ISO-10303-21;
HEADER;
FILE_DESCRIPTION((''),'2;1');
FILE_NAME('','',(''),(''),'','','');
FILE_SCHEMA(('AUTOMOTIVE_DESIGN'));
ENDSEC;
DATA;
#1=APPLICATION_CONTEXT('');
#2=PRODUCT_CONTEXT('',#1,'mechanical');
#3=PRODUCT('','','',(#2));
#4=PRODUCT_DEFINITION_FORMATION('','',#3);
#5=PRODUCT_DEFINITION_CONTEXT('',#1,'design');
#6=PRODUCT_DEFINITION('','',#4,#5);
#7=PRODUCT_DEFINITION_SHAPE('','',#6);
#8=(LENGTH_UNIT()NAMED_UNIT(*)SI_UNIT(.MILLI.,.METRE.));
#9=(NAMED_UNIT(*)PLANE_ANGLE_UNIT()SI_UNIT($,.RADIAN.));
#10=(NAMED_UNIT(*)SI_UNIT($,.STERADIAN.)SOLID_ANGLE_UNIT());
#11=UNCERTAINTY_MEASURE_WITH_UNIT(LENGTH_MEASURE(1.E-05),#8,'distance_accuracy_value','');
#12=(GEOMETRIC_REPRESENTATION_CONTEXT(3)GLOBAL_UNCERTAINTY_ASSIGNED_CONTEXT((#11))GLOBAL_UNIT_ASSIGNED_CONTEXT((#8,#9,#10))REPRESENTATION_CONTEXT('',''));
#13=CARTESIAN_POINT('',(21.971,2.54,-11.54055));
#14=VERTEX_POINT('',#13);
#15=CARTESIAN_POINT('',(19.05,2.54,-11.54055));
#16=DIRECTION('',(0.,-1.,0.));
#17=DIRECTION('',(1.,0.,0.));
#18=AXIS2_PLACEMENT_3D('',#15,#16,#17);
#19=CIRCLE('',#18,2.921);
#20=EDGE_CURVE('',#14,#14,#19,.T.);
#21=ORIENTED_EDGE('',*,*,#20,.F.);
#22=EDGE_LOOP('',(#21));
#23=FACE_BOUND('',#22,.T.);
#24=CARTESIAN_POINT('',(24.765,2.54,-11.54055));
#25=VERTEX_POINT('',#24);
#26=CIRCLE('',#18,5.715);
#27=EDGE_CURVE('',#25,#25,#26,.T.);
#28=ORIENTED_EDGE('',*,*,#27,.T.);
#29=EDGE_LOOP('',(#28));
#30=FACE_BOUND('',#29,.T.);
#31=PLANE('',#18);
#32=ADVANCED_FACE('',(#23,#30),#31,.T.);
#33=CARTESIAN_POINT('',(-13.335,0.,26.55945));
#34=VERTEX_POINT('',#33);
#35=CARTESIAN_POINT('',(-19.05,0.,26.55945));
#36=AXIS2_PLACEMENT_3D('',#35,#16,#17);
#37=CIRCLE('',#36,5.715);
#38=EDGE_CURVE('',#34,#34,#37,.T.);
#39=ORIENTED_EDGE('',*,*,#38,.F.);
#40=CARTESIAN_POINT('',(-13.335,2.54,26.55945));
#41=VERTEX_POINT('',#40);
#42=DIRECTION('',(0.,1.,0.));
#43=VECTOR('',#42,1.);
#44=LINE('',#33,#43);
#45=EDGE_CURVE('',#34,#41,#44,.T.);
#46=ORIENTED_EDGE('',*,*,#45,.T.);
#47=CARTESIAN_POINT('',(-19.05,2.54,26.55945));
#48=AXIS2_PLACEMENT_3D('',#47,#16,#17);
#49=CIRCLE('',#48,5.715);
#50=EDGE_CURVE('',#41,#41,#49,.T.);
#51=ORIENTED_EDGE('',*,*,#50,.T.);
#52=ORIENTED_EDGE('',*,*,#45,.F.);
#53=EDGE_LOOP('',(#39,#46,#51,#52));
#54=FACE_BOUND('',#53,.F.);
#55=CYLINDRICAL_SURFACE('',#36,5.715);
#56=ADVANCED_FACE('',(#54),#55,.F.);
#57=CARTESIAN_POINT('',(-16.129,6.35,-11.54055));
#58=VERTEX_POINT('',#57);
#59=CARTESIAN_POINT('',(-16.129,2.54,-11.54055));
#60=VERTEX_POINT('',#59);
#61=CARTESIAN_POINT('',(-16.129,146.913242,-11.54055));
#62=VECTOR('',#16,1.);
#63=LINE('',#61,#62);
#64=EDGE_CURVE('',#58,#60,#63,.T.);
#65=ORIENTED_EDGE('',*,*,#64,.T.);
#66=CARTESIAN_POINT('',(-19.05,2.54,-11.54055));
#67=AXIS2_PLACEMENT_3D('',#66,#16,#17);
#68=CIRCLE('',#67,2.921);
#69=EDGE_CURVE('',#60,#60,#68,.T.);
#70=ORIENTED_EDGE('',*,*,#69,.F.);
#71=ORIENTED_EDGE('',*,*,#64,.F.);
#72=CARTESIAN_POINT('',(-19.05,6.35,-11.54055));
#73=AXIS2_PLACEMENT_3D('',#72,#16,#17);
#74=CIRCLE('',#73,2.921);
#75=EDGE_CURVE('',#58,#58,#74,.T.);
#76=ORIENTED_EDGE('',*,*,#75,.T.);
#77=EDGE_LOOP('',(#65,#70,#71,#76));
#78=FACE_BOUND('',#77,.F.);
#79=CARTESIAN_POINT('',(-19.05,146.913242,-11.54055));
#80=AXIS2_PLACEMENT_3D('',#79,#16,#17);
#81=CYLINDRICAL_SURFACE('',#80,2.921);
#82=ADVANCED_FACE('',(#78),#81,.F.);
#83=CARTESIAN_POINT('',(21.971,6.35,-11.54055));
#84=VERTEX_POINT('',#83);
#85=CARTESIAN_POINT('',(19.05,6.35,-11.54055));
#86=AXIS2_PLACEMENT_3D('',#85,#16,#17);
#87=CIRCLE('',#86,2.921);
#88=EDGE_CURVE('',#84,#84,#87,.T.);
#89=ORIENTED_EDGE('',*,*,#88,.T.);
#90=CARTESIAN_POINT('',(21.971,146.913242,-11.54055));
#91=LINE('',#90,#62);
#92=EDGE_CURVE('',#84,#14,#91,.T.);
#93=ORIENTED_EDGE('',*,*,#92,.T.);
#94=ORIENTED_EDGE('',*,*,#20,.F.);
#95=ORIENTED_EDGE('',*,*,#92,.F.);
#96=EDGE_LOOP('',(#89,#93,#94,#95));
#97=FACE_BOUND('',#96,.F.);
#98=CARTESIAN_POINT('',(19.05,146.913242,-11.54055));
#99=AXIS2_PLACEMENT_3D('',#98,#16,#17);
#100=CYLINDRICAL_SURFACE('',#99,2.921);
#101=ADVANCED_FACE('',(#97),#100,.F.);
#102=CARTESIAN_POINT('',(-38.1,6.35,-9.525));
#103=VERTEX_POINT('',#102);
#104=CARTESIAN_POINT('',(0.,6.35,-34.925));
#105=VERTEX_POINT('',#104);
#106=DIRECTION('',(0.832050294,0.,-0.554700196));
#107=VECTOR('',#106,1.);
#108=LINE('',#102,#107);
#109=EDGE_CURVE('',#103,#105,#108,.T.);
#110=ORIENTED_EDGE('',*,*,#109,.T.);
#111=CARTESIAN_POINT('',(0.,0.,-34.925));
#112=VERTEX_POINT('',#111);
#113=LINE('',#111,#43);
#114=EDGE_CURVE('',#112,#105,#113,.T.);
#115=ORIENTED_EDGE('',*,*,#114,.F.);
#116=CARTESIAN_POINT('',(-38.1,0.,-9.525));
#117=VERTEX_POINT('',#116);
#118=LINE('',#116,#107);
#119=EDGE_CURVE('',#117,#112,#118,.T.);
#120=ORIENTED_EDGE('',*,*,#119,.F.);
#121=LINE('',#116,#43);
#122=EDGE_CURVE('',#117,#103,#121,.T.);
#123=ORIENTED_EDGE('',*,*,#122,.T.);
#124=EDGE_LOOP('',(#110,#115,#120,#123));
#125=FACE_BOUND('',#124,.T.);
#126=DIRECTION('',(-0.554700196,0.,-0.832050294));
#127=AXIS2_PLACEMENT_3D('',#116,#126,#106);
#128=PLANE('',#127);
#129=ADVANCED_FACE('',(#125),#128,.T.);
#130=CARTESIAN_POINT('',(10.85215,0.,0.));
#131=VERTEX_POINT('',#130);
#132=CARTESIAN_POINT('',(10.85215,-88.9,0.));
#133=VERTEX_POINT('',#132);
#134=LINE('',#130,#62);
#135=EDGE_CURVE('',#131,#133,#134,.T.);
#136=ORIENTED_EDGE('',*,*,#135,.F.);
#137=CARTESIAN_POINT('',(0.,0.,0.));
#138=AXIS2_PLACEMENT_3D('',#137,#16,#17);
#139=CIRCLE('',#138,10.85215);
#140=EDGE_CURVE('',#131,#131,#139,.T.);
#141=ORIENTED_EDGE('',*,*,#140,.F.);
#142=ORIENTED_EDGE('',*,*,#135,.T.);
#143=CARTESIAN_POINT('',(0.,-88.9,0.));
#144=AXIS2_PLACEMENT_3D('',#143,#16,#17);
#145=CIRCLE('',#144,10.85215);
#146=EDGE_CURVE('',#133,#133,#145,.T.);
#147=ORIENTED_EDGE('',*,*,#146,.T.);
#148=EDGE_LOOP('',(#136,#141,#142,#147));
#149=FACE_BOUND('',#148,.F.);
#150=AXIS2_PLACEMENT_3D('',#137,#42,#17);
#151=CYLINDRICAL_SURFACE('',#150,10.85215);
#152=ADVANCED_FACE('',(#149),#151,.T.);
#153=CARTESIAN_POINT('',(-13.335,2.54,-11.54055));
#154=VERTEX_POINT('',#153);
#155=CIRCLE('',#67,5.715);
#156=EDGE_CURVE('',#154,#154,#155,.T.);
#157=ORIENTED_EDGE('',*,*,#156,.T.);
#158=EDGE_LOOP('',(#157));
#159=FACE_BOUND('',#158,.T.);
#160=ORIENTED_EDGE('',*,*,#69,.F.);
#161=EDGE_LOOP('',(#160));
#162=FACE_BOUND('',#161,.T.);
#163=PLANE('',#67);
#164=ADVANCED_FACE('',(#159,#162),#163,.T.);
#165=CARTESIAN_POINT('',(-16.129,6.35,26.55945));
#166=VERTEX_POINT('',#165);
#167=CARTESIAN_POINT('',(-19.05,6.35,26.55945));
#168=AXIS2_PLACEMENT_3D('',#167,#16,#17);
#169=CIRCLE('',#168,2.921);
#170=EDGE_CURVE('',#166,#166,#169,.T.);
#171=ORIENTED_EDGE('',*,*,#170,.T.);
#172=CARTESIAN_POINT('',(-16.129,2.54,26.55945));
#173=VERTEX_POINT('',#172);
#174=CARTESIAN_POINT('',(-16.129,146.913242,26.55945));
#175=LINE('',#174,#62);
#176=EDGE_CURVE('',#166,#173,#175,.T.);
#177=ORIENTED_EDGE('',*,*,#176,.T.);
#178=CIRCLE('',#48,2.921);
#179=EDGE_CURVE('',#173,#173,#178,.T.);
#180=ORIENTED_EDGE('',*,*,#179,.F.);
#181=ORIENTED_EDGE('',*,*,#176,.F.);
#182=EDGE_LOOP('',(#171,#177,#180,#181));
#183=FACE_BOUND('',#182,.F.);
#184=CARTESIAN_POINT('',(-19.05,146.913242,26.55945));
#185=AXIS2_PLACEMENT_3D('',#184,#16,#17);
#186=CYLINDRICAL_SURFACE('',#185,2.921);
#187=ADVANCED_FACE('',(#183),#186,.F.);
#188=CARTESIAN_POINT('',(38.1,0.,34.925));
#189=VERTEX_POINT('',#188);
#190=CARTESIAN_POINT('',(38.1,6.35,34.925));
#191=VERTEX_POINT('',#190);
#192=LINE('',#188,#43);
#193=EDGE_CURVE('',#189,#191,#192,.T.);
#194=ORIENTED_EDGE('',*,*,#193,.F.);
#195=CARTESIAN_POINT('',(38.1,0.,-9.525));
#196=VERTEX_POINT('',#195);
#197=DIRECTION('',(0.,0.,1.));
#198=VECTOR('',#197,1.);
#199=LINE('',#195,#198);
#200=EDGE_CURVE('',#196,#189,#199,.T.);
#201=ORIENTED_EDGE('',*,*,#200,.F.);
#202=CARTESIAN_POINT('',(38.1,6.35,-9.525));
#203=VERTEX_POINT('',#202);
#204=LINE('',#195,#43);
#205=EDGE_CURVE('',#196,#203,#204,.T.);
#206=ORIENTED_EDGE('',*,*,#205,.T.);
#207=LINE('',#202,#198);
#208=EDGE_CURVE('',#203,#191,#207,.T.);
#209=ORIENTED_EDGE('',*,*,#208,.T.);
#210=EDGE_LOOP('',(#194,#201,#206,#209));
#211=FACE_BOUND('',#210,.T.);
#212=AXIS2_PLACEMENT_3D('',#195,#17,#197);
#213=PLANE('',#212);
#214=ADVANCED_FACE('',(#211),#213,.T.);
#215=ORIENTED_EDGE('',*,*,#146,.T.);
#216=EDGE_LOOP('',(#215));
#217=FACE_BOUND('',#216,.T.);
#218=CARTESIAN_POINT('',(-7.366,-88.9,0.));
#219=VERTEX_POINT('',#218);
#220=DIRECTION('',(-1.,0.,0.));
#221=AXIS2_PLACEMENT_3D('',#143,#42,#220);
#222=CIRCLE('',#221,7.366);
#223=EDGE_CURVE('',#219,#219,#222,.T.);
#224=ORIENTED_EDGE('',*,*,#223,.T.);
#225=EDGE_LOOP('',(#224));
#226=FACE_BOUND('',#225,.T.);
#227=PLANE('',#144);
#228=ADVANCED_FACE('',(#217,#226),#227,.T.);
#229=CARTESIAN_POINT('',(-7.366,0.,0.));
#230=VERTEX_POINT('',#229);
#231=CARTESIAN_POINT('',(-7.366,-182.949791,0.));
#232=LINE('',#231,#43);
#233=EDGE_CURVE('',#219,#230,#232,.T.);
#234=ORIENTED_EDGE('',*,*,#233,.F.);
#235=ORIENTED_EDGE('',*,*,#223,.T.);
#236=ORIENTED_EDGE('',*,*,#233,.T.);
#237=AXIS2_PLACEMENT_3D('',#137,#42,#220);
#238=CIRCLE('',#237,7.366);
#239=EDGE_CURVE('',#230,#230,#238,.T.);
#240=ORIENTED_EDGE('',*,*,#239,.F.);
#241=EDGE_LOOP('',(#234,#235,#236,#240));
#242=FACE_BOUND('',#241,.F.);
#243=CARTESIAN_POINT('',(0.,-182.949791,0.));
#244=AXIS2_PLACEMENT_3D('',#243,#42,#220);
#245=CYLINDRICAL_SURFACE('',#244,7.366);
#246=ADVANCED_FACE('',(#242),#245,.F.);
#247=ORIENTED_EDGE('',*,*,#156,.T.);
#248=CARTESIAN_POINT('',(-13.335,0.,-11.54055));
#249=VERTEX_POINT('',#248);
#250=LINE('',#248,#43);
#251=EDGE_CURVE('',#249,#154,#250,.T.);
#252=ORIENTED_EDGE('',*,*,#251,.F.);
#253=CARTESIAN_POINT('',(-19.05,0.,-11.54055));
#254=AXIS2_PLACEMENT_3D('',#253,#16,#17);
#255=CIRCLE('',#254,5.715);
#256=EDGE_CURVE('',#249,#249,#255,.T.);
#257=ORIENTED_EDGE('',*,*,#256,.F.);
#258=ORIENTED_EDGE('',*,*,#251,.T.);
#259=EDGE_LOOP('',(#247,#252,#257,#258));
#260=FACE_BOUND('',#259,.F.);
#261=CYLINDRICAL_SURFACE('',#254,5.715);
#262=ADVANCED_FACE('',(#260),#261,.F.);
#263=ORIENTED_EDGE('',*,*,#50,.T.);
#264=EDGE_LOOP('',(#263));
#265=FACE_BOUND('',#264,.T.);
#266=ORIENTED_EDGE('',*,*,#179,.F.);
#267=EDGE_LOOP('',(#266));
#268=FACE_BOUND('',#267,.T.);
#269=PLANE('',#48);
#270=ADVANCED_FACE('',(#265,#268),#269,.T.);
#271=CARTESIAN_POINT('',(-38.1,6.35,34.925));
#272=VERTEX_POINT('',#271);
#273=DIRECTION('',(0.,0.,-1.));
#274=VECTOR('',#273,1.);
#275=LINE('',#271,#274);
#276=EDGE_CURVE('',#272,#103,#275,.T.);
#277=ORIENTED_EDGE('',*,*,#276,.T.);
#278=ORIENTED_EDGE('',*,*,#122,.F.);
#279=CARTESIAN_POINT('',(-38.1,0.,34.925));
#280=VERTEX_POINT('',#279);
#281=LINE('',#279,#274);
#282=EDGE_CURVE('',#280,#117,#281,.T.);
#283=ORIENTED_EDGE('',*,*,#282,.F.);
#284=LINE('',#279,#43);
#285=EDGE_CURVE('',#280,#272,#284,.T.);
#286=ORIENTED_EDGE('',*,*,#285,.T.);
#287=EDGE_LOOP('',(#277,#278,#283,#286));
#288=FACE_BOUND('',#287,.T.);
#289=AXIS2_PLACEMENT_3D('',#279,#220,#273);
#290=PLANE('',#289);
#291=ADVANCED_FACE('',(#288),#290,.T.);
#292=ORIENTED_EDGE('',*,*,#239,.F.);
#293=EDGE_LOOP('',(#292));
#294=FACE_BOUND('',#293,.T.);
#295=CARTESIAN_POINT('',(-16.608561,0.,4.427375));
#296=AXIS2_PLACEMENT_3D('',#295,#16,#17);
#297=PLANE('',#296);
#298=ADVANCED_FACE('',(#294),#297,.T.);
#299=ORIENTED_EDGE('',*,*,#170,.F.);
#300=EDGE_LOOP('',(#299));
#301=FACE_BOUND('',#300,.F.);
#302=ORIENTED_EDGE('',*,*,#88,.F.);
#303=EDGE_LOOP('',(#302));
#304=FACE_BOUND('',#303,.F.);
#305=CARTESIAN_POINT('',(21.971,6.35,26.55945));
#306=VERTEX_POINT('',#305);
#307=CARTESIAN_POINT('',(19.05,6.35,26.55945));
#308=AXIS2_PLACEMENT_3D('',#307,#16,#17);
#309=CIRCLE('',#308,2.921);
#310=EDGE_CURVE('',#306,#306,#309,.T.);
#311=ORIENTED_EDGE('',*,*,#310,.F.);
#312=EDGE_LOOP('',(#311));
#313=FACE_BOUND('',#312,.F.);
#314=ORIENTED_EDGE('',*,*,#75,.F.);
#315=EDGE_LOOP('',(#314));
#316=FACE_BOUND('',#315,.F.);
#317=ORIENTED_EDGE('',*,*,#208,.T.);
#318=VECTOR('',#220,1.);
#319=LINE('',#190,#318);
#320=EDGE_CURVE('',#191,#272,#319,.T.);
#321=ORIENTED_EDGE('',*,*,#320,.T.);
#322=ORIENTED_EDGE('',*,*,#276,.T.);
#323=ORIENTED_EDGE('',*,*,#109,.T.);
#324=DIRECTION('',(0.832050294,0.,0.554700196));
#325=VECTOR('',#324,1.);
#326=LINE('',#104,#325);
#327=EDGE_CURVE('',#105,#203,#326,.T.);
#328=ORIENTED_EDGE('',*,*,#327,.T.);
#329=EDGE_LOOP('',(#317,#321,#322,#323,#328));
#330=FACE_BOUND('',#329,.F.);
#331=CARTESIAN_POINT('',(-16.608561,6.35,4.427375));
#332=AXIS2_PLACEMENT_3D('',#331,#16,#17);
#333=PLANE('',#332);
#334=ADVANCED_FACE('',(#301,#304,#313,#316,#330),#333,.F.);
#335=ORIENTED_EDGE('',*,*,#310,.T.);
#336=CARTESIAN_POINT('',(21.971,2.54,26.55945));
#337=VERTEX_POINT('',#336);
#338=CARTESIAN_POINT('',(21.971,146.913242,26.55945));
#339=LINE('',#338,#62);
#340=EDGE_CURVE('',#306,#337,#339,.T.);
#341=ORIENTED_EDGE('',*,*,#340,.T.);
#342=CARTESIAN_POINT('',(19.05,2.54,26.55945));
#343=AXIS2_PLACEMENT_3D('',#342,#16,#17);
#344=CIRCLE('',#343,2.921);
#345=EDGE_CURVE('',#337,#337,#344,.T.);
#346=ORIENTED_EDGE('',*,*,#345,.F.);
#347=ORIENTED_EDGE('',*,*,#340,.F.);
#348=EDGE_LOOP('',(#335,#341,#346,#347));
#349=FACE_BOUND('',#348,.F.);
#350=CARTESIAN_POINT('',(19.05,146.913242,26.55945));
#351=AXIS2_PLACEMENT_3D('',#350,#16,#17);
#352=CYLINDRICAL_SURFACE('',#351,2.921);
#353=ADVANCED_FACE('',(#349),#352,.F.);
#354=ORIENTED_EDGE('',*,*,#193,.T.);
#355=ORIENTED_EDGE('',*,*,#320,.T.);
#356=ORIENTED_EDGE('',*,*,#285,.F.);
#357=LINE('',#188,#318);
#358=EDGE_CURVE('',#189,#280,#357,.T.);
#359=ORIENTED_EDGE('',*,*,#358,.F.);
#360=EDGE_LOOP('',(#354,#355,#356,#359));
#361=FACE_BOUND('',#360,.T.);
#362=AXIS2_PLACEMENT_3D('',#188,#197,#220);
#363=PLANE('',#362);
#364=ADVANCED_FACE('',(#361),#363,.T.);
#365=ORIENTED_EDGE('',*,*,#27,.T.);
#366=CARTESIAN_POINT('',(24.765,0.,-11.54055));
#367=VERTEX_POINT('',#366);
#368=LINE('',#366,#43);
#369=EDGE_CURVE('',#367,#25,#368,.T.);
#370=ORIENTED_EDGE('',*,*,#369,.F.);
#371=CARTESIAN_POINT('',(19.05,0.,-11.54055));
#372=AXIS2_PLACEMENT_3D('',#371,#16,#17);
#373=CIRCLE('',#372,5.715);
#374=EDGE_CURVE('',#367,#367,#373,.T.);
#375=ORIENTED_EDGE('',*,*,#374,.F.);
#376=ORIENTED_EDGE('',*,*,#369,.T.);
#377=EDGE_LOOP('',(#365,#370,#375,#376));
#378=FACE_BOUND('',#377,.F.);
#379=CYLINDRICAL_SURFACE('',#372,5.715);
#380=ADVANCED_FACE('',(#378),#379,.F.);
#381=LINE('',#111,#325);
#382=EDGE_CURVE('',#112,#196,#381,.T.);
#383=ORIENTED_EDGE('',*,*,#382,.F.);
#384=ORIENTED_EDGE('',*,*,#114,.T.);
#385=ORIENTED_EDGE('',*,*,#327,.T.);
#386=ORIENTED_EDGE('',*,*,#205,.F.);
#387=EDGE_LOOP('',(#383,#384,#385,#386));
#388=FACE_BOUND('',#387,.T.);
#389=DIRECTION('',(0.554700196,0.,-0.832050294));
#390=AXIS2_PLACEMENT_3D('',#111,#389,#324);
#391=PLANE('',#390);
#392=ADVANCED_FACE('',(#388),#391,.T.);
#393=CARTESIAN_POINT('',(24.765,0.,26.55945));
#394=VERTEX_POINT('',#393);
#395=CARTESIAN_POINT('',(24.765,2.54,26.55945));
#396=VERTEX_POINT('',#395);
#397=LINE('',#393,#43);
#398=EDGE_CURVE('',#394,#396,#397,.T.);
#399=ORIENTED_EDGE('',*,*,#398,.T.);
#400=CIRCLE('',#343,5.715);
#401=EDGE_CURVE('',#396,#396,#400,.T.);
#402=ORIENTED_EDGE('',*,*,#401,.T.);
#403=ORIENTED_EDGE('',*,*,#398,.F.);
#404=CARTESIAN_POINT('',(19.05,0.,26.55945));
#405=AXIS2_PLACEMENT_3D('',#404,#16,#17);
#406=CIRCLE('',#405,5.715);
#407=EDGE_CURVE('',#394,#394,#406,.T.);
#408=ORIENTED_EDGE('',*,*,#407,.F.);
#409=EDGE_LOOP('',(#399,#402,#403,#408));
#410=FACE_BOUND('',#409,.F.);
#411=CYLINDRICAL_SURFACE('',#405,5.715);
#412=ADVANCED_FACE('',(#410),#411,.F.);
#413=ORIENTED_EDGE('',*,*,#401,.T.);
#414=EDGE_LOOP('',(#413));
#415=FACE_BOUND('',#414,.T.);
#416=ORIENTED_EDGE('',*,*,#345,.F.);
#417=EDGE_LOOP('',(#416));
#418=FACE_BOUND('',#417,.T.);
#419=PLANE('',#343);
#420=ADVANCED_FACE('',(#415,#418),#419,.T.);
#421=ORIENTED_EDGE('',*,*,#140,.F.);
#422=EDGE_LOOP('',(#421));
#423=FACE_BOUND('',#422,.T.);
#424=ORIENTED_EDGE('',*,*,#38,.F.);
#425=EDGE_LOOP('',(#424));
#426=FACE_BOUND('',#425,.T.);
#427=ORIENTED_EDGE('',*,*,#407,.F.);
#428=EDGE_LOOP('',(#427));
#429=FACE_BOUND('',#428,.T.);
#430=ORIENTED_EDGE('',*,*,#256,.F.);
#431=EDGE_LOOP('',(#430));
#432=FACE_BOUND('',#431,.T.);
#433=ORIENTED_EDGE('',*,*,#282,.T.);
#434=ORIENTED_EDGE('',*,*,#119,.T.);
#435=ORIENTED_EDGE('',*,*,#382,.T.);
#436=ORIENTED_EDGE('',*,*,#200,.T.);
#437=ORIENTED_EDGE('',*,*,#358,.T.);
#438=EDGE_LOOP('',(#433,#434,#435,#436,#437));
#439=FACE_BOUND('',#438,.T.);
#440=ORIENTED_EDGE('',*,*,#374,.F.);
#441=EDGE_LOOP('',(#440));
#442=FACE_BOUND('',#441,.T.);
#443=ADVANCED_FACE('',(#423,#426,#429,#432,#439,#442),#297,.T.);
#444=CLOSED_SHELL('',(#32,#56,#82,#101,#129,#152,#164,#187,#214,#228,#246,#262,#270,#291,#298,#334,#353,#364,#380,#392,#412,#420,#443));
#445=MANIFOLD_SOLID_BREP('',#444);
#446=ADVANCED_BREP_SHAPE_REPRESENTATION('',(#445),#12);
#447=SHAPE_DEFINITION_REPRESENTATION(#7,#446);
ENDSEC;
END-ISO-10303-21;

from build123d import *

# Parameters (mm, degrees)
F0_R     = 10.85215
F1_DEPTH = 88.9
F3_D     = 14.732
F5_DEPTH = 6.35
F7_D     = 5.842
F8_R     = 5.715
F9_DEPTH = 2.54


with BuildPart() as f1:
    # F0 (on Front) → F1 (new body)
    with BuildSketch(Plane.XZ):
        Circle(F0_R)
    extrude(amount=F1_DEPTH)

    # F3 (through all)
    with Locations(Plane.XZ.offset(88.9)):
        with Locations((0, 0)):
            Hole(F3_D / 2)

    # F4 (on Front) → F5 (join)
    with BuildSketch(Plane.XZ):
        Polygon((0, 0), (0, 34.925), (-38.1, 34.925), (-38.1, -9.525), (0, -34.925), align=None)
        Polygon((38.1, 34.925), (0, 34.925), (0, 0), (0, -34.925), (38.1, -9.525), align=None)
    extrude(amount=-F5_DEPTH)

    # F7 (through all)
    with Locations(Plane(origin=(0, 6.35, 0), x_dir=(-1, 0, 0), z_dir=(0, 1, 0))):
        with Locations((-19.05, 26.55945), (19.05, 26.55945), (19.05, -11.54055), (-19.05, -11.54055)):
            Hole(F7_D / 2)

    # F8 (on face) → F9 (cut)
    with BuildSketch(Plane.XZ):
        with Locations((-19.05, 26.55945)):
            Circle(F8_R)
        with Locations((19.05, 26.55945)):
            Circle(F8_R)
        with Locations((-19.05, -11.54055)):
            Circle(F8_R)
        with Locations((19.05, -11.54055)):
            Circle(F8_R)
    extrude(amount=-F9_DEPTH, mode=Mode.SUBTRACT)


solid = f1.part
